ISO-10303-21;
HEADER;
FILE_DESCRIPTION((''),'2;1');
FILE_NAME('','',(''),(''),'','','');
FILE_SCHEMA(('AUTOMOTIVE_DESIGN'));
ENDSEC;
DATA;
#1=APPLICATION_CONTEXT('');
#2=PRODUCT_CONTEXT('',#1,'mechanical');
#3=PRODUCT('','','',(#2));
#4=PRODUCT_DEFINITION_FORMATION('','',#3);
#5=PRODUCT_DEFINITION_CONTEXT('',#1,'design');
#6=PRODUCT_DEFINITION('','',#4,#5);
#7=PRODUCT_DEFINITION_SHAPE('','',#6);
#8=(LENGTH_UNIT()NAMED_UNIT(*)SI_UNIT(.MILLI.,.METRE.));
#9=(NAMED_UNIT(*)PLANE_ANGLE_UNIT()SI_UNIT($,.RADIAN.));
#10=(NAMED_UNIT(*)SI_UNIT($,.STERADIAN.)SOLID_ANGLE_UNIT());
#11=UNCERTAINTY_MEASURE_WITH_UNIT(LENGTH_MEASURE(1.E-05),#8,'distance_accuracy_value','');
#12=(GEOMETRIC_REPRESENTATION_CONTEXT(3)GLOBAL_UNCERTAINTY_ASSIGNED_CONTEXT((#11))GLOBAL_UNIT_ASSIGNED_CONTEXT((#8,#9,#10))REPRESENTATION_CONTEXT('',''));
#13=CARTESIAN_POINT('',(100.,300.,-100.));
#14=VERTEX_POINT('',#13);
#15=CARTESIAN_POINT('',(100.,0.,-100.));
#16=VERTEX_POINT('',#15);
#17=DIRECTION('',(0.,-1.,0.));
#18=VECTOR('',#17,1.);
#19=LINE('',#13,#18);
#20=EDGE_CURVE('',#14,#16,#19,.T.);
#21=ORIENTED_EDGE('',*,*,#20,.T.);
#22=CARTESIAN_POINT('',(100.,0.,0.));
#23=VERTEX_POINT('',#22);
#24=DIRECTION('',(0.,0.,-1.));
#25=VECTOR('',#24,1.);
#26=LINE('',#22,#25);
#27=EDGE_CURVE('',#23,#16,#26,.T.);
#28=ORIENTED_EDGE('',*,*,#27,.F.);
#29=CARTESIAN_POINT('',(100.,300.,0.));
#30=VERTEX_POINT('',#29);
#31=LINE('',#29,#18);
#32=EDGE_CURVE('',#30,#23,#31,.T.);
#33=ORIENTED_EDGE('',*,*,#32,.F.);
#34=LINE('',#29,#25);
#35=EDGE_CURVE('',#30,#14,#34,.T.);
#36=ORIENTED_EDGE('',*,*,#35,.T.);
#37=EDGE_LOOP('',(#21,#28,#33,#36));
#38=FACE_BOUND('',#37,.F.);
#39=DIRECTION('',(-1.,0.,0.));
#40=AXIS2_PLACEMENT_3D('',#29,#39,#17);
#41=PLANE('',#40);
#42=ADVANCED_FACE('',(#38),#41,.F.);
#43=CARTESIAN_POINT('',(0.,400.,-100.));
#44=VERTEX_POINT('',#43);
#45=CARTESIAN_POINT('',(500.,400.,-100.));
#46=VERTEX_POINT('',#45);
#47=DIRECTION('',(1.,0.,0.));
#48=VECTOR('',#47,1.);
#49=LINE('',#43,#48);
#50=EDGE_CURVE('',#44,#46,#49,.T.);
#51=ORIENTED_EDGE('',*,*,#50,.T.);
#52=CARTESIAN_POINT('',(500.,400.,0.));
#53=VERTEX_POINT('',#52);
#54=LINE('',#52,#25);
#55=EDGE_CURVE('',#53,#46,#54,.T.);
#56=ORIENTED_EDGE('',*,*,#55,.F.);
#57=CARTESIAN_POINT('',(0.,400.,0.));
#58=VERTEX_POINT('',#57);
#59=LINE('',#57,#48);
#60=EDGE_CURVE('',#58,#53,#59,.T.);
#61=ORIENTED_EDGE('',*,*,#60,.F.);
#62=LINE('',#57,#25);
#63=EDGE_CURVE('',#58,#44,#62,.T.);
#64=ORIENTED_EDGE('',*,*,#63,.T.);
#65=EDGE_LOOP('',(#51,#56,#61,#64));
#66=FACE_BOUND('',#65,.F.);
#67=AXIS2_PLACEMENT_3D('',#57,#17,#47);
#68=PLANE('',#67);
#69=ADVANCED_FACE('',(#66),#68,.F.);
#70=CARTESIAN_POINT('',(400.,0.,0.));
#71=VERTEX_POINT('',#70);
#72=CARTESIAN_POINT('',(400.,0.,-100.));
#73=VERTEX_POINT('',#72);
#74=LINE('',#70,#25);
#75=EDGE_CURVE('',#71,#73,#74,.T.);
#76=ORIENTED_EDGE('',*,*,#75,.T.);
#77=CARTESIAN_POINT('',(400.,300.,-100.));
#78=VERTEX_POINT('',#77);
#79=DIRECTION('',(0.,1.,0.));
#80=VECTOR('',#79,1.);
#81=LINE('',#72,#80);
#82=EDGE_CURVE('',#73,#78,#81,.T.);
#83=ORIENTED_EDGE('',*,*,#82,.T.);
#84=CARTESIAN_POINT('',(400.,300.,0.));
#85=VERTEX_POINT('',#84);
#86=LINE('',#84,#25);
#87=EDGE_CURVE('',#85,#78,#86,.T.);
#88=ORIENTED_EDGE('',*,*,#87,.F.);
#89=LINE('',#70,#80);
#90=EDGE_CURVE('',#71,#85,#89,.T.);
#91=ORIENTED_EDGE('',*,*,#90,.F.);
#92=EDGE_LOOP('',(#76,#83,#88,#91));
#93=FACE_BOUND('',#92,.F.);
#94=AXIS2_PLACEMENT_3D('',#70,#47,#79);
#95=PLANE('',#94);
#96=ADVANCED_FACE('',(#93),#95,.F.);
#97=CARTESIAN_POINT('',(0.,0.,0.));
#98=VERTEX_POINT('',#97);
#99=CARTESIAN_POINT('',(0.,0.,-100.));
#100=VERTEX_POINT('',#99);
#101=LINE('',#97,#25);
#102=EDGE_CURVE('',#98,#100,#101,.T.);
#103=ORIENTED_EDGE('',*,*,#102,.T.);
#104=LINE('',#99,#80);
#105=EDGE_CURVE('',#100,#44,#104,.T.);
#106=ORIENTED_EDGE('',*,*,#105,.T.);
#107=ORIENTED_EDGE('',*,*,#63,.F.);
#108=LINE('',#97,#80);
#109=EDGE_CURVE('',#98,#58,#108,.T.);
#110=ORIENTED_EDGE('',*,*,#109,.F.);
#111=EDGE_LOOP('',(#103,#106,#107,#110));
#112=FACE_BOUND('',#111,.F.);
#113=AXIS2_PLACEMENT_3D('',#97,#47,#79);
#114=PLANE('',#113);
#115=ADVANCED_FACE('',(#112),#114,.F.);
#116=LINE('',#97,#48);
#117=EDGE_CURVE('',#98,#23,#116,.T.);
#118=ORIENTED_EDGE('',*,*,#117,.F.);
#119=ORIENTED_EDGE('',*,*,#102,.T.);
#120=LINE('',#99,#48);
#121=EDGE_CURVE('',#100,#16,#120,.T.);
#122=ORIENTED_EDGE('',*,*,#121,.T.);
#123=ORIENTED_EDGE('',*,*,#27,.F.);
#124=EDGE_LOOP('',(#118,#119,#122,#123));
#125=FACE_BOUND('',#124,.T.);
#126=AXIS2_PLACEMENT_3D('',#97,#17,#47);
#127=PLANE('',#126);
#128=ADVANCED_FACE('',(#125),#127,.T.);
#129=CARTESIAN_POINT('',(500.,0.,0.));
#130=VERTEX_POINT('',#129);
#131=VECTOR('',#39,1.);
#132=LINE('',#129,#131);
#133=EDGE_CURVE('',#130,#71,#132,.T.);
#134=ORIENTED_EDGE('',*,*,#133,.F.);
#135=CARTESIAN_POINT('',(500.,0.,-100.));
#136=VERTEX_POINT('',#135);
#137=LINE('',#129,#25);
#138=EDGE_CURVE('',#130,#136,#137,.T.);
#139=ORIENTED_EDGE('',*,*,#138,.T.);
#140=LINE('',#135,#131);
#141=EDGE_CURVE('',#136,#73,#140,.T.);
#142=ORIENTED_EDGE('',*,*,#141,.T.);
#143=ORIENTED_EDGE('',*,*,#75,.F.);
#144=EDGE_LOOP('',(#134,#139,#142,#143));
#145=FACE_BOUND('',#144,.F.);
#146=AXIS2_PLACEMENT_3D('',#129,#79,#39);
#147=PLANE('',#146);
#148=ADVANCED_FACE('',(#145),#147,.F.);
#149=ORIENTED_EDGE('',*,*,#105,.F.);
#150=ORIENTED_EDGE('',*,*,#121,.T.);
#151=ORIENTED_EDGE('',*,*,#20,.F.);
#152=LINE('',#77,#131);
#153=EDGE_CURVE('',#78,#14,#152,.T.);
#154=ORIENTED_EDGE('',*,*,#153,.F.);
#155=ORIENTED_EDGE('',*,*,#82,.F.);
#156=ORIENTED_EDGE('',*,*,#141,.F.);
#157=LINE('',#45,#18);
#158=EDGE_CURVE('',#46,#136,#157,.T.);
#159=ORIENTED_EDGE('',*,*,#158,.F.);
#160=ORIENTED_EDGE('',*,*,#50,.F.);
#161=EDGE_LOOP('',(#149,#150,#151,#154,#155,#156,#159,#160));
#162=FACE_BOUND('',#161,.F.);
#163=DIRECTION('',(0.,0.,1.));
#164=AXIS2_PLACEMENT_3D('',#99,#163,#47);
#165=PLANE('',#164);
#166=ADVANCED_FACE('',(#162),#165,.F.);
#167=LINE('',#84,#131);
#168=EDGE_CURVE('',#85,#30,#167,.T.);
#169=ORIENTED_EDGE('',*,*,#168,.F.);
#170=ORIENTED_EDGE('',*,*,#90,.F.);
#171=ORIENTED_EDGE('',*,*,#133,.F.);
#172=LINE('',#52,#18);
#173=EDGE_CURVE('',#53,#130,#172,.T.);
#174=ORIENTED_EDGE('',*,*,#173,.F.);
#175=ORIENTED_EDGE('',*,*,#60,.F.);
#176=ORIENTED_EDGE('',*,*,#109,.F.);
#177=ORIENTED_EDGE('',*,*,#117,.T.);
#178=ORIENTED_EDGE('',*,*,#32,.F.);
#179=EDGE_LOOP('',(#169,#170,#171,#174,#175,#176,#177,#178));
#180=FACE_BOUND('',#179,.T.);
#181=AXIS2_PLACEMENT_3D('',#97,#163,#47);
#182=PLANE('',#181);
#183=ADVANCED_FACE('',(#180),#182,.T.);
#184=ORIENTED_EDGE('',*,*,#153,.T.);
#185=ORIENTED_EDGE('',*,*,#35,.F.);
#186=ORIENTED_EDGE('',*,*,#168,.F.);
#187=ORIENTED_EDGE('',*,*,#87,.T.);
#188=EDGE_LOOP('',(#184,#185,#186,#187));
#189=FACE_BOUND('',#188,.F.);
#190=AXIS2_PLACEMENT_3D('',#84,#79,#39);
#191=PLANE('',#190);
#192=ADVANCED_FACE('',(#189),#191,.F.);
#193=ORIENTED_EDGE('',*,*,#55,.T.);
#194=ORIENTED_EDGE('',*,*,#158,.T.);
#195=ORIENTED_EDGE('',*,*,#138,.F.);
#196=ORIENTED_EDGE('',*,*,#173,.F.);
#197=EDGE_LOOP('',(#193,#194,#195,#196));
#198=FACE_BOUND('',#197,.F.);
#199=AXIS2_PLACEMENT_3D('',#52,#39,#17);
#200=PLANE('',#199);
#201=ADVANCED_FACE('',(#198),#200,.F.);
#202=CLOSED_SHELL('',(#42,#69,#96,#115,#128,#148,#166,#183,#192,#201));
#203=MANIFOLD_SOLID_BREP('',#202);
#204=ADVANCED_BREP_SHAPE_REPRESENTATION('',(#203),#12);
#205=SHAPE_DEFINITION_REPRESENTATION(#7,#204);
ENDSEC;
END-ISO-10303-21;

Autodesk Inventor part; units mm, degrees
ref_plane "YZ Plane" through (0, 0, 0) normal (1, 0, 0) x (0, 1, 0)
ref_plane "XZ Plane" through (0, 0, 0) normal (0, 1, 0) x (-1, 0, 0)
ref_plane "XY Plane" through (0, 0, 0) normal (0, 0, 1) x (1, 0, 0)
sketch "Sketch1" plane through (0, 0, 0) normal (0, 0, 1) x (1, 0, 0)
  line L0 (0, 0) -> (100, 0)
  line L1 (0, 0) -> (0, 400)
  line L2 (0, 400) -> (500, 400)
  line L3 (500, 400) -> (500, 0)
  line L4 (500, 0) -> (400, 0)
  line L5 (400, 0) -> (400, 300)
  line L6 (400, 300) -> (100, 300)
  line L7 (100, 300) -> (100, 0)
  dimension "d0" = 100
  dimension "d1" = 400
  dimension "d2" = 500
  dimension "d3" = 400
  dimension "d4" = 100
  dimension "d5" = 300
  dimension "d6" = 300
  dimension "d7" = 300
extrude "Extrusion1" add sketch "Sketch1" against normal blind 100
properties part number "RailsMini2" material "Concrete"
